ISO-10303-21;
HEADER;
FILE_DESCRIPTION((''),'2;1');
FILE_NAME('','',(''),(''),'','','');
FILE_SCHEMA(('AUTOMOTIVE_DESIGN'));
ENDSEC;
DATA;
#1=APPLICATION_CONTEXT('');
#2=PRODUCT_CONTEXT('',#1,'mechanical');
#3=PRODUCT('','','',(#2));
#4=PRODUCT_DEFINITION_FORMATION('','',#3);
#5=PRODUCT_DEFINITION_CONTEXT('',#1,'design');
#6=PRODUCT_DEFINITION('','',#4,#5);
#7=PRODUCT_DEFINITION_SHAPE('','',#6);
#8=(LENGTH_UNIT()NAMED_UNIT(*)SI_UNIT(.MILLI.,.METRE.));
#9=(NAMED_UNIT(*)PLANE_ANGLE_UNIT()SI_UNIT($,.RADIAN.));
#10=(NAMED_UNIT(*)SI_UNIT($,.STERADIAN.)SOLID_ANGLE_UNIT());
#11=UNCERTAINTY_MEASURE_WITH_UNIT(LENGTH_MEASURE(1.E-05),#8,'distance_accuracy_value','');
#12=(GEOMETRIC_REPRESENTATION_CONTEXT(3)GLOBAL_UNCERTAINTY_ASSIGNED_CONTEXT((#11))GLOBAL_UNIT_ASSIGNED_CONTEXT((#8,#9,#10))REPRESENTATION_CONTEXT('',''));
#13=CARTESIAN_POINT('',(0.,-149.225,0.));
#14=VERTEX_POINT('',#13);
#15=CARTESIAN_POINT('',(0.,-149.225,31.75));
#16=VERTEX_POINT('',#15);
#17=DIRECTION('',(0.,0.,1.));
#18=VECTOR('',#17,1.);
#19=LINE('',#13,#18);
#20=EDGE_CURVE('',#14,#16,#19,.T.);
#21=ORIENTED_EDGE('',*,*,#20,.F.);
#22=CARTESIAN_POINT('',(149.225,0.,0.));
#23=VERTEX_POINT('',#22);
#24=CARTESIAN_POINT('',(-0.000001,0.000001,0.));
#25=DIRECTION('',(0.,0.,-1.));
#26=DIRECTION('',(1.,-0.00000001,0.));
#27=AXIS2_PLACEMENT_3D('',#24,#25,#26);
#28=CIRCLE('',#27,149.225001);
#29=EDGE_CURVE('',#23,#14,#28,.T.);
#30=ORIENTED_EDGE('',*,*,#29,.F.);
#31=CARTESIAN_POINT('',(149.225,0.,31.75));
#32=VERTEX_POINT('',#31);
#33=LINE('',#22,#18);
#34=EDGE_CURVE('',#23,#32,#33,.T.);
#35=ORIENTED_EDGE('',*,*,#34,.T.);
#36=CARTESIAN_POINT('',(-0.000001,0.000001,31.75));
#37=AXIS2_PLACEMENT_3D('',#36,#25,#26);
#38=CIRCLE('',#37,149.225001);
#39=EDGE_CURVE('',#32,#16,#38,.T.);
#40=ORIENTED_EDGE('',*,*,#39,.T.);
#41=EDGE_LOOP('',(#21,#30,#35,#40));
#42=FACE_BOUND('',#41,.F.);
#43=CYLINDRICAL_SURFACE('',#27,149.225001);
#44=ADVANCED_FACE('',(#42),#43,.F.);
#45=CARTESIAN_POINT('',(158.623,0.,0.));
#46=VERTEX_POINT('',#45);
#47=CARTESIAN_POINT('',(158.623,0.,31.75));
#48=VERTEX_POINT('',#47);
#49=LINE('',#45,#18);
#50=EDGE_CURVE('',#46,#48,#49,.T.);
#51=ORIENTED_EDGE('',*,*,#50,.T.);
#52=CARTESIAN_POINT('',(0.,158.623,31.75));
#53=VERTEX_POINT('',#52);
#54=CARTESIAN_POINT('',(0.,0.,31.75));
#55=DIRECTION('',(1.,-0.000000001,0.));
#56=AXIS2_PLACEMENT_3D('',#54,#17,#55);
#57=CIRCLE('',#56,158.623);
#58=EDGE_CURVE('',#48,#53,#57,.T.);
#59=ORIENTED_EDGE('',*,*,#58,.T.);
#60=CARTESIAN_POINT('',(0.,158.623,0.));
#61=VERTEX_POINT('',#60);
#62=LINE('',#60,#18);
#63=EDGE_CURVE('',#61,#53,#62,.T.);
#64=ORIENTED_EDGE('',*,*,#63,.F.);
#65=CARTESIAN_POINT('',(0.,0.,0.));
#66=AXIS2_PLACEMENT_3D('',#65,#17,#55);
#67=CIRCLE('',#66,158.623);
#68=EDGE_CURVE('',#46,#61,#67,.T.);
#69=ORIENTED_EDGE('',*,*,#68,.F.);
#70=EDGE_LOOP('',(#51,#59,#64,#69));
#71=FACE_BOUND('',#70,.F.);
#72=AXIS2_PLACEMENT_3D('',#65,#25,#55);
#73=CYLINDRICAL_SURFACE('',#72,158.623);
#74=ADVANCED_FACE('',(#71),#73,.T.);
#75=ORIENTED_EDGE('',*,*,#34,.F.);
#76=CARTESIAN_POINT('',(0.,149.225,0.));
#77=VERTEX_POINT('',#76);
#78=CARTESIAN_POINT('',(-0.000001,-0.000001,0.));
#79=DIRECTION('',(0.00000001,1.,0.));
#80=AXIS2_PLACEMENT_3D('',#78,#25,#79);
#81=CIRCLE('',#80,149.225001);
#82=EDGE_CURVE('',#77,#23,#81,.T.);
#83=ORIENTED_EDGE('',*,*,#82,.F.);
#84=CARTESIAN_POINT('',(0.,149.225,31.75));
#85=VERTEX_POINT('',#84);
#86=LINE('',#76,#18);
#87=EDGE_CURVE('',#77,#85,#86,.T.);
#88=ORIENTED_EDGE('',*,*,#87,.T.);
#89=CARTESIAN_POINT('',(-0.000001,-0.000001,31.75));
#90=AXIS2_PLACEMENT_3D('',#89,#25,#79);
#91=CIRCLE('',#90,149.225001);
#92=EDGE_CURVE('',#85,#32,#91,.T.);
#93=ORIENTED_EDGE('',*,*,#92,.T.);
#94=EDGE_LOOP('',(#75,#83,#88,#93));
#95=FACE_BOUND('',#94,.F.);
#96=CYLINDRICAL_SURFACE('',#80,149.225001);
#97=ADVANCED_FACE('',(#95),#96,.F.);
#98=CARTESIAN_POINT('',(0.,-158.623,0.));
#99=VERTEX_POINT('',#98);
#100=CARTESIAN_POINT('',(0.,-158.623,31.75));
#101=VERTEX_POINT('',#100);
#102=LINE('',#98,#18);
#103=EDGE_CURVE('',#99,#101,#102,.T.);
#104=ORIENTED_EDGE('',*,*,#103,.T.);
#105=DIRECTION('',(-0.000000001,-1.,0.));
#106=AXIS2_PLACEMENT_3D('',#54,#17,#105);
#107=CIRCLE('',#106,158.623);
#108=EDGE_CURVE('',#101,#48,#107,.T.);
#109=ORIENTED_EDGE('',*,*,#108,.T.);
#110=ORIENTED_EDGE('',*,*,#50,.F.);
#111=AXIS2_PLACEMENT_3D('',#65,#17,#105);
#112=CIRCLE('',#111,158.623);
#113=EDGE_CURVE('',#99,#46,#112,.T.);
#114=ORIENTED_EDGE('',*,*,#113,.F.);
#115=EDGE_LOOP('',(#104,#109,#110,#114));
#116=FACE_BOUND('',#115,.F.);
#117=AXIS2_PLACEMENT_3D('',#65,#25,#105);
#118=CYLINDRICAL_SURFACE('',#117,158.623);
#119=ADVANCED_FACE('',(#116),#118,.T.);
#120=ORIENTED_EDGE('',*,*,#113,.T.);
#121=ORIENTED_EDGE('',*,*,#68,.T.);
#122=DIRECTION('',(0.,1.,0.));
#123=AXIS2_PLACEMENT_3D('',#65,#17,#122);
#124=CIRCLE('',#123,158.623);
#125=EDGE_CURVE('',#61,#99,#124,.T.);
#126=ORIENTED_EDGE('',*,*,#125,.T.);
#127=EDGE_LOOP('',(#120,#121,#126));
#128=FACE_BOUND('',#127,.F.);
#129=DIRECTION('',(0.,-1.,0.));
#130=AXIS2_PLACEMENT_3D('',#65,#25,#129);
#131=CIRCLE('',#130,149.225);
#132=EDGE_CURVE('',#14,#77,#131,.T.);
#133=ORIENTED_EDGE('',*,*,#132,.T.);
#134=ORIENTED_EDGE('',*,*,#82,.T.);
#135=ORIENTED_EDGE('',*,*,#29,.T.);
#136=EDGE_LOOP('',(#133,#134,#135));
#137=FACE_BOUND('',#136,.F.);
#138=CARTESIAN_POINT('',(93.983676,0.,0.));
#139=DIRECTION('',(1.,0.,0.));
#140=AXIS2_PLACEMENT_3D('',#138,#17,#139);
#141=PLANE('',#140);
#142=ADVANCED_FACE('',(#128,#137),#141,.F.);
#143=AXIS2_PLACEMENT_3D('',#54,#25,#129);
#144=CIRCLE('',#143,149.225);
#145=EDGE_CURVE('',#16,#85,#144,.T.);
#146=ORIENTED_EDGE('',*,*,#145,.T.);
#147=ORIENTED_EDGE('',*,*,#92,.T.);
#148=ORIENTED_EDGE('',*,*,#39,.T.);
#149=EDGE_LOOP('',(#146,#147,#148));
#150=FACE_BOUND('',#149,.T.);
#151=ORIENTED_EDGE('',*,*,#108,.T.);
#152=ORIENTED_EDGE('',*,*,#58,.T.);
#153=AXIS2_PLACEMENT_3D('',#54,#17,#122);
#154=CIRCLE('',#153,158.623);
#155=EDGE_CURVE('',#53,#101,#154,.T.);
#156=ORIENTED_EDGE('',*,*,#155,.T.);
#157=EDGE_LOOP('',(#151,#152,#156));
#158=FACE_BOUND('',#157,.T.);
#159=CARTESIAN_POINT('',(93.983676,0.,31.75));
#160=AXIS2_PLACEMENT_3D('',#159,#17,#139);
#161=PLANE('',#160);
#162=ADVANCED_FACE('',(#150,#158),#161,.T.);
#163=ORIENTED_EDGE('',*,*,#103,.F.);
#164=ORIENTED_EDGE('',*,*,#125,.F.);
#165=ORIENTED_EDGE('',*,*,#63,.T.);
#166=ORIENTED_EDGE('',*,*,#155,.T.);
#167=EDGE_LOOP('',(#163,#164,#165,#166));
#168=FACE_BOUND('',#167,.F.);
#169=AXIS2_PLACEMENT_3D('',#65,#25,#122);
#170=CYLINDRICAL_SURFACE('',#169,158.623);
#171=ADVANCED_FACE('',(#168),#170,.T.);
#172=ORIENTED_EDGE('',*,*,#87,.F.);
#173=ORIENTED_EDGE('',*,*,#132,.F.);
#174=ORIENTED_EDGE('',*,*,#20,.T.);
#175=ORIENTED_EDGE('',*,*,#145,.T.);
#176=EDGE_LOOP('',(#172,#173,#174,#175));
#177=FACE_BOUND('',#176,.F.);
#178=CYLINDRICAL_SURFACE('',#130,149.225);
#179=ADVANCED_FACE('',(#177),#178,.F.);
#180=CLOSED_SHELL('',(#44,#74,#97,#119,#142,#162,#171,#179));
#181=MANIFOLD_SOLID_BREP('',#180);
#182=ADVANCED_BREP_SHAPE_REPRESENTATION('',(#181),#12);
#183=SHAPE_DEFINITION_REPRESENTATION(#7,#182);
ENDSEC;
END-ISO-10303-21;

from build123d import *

# Parameters (mm, degrees)
F1_DEPTH = 31.75


with BuildPart() as f1:
    # F0 (on Top) → F1 (new body)
    with BuildSketch(Plane.XY):
        with BuildLine():
            ThreePointArc((0, -158.623), (112.163399, -112.163399), (158.623, 0))
            ThreePointArc((158.623, 0), (112.163399, 112.163399), (0, 158.623))
            Line((0, 158.623), (0, 149.225))
            ThreePointArc((0, 149.225), (105.518009, 105.518009), (149.225, 0))
            ThreePointArc((149.225, 0), (105.518009, -105.518009), (0, -149.225))
            Line((0, -149.225), (0, -158.623))
        make_face()
        with BuildLine():
            Line((0, 149.225), (0, 158.623))
            ThreePointArc((0, 158.623), (-158.623, 0), (0, -158.623))
            Line((0, -158.623), (0, -149.225))
            ThreePointArc((0, -149.225), (-149.225, 0), (0, 149.225))
        make_face()
    extrude(amount=F1_DEPTH)


solid = f1.part
